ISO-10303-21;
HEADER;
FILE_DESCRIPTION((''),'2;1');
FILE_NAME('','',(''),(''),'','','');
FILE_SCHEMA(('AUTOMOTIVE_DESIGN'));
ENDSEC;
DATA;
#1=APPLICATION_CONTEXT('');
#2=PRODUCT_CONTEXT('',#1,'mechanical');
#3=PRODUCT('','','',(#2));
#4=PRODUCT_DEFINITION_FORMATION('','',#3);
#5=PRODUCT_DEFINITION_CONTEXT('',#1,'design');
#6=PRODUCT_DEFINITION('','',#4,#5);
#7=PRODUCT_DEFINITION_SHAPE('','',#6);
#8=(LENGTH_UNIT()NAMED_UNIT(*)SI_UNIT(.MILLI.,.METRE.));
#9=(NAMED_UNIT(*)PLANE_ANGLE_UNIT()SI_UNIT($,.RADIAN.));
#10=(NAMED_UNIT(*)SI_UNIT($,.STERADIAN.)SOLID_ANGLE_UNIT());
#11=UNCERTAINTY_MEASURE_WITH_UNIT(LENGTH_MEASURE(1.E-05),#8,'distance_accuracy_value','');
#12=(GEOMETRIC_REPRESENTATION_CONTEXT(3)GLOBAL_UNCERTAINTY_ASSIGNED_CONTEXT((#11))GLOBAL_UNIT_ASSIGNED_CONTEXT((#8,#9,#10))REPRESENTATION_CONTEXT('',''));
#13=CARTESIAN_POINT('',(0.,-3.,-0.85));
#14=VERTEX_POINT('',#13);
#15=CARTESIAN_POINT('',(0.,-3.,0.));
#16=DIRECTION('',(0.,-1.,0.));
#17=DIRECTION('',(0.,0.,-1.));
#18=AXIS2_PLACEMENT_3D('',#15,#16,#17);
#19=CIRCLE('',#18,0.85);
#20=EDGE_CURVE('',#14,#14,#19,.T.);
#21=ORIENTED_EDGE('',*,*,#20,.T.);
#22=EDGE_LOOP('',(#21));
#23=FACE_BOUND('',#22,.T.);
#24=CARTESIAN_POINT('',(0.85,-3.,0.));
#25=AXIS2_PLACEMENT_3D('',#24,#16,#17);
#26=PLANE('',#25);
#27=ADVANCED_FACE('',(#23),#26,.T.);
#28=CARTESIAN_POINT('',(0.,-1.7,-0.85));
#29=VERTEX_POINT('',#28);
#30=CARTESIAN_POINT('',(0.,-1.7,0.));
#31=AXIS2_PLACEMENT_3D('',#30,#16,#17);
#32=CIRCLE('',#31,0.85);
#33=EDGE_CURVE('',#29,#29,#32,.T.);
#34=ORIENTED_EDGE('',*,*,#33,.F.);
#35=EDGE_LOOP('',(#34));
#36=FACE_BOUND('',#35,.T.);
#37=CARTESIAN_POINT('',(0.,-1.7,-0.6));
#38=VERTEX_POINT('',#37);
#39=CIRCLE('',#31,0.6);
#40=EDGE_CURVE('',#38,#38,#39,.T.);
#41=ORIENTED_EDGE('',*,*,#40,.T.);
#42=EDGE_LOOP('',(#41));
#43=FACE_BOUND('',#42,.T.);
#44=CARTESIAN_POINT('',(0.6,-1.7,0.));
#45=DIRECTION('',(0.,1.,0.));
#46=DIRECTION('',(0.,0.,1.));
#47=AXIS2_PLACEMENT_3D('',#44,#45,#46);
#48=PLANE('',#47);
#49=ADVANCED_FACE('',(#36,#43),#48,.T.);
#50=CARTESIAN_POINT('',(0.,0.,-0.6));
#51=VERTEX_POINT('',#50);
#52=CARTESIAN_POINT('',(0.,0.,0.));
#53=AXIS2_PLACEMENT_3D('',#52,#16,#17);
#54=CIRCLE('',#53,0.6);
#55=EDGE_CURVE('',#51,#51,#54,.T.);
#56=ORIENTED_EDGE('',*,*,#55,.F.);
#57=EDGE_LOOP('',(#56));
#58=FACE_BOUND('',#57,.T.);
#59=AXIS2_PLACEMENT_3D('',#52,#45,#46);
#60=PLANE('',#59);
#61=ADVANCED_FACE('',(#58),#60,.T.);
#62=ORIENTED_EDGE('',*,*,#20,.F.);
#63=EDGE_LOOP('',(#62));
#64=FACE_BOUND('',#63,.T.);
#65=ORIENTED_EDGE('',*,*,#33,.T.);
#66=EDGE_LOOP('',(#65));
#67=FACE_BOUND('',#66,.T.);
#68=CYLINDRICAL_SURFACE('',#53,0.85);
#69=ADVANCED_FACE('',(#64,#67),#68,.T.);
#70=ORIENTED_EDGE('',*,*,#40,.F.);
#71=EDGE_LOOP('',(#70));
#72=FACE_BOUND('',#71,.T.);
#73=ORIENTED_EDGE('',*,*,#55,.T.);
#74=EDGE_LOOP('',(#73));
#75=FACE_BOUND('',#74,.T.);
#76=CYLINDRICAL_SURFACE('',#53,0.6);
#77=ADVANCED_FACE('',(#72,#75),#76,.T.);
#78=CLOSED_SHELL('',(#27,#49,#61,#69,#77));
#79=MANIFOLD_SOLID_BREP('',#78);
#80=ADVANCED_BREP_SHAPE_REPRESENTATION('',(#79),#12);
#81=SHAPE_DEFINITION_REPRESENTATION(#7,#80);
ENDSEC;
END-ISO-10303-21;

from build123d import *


with BuildPart() as part:
    # Sketch1 → Revolve1 (revolve)
    with BuildSketch(Plane.XY):
        Polygon((0, 0), (0.6, 0), (0.6, -1.7), (0.85, -1.7), (0.85, -3), (0, -3), align=None)
    revolve(axis=Axis((0, 0, 0), (0, 1, 0)))


solid = part.part
